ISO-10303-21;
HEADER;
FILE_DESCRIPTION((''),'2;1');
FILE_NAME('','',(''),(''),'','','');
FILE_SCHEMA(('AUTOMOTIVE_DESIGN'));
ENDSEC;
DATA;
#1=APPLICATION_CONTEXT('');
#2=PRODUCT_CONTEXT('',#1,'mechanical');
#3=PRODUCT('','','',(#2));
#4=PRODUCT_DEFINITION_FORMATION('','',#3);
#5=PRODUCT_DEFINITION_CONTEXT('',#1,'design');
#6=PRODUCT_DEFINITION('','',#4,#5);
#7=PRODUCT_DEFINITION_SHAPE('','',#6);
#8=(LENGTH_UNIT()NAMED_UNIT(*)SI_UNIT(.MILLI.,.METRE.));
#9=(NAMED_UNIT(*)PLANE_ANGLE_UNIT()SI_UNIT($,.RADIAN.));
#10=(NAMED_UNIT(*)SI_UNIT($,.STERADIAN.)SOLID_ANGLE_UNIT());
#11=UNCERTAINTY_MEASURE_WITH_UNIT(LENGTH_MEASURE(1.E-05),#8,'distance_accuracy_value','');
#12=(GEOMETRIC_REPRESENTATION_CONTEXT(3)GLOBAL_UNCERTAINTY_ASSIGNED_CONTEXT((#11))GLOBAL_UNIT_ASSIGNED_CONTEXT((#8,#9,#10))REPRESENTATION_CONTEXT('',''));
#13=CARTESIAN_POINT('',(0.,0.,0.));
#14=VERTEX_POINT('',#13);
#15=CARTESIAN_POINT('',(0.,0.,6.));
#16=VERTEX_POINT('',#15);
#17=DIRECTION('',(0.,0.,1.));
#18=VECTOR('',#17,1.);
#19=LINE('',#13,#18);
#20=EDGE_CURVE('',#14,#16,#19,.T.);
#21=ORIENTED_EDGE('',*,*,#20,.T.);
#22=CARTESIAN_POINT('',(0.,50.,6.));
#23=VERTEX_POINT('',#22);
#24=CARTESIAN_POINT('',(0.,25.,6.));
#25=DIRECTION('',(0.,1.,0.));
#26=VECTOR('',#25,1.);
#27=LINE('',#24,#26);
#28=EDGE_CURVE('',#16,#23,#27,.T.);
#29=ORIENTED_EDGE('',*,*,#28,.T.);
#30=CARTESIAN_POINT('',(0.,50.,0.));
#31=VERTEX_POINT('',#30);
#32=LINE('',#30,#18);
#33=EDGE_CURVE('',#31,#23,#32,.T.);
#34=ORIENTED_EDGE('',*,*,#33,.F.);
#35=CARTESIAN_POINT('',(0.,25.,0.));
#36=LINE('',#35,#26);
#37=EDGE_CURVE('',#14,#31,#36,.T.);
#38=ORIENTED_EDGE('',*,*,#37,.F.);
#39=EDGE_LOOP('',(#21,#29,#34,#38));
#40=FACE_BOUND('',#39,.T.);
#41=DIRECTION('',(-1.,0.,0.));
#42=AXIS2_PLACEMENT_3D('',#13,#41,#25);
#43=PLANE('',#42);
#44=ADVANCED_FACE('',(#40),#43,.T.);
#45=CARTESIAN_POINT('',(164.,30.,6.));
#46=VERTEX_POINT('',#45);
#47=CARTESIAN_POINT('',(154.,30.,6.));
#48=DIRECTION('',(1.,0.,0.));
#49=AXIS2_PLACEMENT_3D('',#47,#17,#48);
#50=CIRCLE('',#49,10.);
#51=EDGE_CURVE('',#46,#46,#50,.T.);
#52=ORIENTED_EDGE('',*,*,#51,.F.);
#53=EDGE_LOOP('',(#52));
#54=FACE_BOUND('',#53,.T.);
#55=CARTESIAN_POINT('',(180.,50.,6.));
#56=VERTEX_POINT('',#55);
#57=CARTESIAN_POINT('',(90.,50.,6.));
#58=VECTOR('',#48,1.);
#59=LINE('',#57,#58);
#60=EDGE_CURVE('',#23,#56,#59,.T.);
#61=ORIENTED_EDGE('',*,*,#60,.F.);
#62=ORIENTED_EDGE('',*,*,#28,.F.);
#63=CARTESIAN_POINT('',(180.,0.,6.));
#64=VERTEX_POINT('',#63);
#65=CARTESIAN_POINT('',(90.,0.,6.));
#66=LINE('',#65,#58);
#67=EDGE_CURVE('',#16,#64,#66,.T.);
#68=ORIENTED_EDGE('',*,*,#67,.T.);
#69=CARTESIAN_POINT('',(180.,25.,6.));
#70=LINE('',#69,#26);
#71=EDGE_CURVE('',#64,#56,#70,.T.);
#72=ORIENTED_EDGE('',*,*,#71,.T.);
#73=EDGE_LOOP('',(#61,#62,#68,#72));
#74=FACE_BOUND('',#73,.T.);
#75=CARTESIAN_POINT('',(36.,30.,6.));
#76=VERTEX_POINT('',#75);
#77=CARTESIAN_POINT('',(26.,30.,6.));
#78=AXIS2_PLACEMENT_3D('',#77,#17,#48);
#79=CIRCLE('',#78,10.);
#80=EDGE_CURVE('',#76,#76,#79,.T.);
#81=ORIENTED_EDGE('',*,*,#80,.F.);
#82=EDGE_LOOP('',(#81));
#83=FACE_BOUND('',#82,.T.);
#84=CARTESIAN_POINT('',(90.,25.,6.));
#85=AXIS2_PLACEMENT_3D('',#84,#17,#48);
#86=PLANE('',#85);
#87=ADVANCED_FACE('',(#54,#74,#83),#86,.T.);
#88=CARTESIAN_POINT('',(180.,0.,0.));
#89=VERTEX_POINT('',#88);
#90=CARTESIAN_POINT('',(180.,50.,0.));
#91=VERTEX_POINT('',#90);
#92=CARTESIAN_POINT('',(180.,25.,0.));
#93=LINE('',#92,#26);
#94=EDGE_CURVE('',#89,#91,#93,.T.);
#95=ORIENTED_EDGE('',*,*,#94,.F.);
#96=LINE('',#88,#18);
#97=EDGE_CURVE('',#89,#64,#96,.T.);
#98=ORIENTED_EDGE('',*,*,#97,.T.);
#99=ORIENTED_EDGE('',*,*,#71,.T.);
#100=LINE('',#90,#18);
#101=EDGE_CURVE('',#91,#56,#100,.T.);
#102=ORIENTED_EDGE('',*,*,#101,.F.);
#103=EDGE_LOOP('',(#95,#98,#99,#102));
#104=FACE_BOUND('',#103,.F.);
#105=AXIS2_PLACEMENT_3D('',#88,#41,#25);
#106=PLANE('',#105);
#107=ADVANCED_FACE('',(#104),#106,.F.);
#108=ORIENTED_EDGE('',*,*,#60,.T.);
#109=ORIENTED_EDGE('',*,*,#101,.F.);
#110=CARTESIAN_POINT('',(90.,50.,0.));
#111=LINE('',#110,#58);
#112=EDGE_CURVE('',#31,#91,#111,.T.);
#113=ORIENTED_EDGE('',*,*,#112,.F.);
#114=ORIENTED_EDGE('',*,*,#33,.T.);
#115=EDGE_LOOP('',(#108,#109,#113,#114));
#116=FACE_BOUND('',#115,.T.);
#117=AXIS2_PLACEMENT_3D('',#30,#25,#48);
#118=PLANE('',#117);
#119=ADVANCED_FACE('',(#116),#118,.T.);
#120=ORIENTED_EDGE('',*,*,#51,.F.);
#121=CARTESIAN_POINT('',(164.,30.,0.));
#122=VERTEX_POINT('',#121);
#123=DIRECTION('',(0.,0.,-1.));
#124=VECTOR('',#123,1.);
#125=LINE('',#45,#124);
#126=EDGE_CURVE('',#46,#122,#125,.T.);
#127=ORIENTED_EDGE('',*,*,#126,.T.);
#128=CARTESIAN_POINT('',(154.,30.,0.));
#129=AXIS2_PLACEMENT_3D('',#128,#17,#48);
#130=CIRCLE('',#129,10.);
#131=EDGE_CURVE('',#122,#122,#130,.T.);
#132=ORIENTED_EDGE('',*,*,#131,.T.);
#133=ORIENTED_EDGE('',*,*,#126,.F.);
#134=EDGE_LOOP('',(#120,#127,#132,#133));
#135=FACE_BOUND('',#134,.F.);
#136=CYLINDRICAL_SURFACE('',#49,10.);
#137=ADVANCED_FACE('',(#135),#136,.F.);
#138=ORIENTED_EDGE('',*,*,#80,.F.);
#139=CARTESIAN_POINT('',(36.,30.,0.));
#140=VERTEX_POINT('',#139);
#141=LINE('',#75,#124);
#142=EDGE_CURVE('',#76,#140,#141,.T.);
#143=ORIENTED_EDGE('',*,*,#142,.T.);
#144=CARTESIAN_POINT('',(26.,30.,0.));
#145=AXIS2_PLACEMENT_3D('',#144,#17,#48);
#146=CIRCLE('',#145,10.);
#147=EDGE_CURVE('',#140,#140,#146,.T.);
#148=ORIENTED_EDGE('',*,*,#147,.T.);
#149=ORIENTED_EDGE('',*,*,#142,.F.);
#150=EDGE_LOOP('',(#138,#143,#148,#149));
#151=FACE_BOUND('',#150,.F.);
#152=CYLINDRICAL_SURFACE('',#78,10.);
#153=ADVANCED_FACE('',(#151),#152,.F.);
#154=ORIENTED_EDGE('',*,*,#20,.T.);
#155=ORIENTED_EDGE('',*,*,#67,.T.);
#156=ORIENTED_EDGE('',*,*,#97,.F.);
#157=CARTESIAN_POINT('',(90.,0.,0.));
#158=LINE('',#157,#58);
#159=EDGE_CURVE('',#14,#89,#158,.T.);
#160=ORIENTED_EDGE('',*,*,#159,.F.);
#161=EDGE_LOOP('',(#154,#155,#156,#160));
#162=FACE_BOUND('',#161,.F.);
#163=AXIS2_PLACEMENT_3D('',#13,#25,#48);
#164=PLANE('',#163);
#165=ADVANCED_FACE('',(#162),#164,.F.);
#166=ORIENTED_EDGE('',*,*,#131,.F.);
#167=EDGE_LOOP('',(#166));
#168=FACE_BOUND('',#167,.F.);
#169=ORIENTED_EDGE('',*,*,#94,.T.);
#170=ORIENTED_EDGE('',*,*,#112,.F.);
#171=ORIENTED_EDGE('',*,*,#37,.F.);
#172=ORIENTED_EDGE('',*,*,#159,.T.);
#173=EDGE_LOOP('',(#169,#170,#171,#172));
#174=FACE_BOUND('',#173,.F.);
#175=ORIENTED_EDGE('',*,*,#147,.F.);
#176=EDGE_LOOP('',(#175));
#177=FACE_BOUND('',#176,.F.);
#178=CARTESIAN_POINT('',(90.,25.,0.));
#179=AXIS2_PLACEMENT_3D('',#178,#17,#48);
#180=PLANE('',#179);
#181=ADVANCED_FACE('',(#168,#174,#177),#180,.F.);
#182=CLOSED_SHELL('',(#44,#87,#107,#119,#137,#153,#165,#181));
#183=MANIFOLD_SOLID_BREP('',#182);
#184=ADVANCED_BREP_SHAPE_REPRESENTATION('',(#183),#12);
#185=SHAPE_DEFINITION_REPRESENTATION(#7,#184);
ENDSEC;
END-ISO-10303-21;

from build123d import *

# Parameters (mm, degrees)
BOX_W        = 180
BOX_H        = 50
BOX_DEPTH    = 6
SKETCH_R     = 10
POCKET_DEPTH = 6.001


with BuildPart() as part:
    # Box → Box (new body)
    with BuildSketch(Plane.XY):
        with Locations((90, 25)):
            Rectangle(BOX_W, BOX_H)
    extrude(amount=BOX_DEPTH)

    # Sketch → Pocket (cut, through all)
    with BuildSketch(Plane.XY.offset(6)):
        with Locations((26, 30)):
            Circle(SKETCH_R)
        with Locations((154, 30)):
            Circle(SKETCH_R)
    extrude(amount=-POCKET_DEPTH, mode=Mode.SUBTRACT)


solid = part.part
